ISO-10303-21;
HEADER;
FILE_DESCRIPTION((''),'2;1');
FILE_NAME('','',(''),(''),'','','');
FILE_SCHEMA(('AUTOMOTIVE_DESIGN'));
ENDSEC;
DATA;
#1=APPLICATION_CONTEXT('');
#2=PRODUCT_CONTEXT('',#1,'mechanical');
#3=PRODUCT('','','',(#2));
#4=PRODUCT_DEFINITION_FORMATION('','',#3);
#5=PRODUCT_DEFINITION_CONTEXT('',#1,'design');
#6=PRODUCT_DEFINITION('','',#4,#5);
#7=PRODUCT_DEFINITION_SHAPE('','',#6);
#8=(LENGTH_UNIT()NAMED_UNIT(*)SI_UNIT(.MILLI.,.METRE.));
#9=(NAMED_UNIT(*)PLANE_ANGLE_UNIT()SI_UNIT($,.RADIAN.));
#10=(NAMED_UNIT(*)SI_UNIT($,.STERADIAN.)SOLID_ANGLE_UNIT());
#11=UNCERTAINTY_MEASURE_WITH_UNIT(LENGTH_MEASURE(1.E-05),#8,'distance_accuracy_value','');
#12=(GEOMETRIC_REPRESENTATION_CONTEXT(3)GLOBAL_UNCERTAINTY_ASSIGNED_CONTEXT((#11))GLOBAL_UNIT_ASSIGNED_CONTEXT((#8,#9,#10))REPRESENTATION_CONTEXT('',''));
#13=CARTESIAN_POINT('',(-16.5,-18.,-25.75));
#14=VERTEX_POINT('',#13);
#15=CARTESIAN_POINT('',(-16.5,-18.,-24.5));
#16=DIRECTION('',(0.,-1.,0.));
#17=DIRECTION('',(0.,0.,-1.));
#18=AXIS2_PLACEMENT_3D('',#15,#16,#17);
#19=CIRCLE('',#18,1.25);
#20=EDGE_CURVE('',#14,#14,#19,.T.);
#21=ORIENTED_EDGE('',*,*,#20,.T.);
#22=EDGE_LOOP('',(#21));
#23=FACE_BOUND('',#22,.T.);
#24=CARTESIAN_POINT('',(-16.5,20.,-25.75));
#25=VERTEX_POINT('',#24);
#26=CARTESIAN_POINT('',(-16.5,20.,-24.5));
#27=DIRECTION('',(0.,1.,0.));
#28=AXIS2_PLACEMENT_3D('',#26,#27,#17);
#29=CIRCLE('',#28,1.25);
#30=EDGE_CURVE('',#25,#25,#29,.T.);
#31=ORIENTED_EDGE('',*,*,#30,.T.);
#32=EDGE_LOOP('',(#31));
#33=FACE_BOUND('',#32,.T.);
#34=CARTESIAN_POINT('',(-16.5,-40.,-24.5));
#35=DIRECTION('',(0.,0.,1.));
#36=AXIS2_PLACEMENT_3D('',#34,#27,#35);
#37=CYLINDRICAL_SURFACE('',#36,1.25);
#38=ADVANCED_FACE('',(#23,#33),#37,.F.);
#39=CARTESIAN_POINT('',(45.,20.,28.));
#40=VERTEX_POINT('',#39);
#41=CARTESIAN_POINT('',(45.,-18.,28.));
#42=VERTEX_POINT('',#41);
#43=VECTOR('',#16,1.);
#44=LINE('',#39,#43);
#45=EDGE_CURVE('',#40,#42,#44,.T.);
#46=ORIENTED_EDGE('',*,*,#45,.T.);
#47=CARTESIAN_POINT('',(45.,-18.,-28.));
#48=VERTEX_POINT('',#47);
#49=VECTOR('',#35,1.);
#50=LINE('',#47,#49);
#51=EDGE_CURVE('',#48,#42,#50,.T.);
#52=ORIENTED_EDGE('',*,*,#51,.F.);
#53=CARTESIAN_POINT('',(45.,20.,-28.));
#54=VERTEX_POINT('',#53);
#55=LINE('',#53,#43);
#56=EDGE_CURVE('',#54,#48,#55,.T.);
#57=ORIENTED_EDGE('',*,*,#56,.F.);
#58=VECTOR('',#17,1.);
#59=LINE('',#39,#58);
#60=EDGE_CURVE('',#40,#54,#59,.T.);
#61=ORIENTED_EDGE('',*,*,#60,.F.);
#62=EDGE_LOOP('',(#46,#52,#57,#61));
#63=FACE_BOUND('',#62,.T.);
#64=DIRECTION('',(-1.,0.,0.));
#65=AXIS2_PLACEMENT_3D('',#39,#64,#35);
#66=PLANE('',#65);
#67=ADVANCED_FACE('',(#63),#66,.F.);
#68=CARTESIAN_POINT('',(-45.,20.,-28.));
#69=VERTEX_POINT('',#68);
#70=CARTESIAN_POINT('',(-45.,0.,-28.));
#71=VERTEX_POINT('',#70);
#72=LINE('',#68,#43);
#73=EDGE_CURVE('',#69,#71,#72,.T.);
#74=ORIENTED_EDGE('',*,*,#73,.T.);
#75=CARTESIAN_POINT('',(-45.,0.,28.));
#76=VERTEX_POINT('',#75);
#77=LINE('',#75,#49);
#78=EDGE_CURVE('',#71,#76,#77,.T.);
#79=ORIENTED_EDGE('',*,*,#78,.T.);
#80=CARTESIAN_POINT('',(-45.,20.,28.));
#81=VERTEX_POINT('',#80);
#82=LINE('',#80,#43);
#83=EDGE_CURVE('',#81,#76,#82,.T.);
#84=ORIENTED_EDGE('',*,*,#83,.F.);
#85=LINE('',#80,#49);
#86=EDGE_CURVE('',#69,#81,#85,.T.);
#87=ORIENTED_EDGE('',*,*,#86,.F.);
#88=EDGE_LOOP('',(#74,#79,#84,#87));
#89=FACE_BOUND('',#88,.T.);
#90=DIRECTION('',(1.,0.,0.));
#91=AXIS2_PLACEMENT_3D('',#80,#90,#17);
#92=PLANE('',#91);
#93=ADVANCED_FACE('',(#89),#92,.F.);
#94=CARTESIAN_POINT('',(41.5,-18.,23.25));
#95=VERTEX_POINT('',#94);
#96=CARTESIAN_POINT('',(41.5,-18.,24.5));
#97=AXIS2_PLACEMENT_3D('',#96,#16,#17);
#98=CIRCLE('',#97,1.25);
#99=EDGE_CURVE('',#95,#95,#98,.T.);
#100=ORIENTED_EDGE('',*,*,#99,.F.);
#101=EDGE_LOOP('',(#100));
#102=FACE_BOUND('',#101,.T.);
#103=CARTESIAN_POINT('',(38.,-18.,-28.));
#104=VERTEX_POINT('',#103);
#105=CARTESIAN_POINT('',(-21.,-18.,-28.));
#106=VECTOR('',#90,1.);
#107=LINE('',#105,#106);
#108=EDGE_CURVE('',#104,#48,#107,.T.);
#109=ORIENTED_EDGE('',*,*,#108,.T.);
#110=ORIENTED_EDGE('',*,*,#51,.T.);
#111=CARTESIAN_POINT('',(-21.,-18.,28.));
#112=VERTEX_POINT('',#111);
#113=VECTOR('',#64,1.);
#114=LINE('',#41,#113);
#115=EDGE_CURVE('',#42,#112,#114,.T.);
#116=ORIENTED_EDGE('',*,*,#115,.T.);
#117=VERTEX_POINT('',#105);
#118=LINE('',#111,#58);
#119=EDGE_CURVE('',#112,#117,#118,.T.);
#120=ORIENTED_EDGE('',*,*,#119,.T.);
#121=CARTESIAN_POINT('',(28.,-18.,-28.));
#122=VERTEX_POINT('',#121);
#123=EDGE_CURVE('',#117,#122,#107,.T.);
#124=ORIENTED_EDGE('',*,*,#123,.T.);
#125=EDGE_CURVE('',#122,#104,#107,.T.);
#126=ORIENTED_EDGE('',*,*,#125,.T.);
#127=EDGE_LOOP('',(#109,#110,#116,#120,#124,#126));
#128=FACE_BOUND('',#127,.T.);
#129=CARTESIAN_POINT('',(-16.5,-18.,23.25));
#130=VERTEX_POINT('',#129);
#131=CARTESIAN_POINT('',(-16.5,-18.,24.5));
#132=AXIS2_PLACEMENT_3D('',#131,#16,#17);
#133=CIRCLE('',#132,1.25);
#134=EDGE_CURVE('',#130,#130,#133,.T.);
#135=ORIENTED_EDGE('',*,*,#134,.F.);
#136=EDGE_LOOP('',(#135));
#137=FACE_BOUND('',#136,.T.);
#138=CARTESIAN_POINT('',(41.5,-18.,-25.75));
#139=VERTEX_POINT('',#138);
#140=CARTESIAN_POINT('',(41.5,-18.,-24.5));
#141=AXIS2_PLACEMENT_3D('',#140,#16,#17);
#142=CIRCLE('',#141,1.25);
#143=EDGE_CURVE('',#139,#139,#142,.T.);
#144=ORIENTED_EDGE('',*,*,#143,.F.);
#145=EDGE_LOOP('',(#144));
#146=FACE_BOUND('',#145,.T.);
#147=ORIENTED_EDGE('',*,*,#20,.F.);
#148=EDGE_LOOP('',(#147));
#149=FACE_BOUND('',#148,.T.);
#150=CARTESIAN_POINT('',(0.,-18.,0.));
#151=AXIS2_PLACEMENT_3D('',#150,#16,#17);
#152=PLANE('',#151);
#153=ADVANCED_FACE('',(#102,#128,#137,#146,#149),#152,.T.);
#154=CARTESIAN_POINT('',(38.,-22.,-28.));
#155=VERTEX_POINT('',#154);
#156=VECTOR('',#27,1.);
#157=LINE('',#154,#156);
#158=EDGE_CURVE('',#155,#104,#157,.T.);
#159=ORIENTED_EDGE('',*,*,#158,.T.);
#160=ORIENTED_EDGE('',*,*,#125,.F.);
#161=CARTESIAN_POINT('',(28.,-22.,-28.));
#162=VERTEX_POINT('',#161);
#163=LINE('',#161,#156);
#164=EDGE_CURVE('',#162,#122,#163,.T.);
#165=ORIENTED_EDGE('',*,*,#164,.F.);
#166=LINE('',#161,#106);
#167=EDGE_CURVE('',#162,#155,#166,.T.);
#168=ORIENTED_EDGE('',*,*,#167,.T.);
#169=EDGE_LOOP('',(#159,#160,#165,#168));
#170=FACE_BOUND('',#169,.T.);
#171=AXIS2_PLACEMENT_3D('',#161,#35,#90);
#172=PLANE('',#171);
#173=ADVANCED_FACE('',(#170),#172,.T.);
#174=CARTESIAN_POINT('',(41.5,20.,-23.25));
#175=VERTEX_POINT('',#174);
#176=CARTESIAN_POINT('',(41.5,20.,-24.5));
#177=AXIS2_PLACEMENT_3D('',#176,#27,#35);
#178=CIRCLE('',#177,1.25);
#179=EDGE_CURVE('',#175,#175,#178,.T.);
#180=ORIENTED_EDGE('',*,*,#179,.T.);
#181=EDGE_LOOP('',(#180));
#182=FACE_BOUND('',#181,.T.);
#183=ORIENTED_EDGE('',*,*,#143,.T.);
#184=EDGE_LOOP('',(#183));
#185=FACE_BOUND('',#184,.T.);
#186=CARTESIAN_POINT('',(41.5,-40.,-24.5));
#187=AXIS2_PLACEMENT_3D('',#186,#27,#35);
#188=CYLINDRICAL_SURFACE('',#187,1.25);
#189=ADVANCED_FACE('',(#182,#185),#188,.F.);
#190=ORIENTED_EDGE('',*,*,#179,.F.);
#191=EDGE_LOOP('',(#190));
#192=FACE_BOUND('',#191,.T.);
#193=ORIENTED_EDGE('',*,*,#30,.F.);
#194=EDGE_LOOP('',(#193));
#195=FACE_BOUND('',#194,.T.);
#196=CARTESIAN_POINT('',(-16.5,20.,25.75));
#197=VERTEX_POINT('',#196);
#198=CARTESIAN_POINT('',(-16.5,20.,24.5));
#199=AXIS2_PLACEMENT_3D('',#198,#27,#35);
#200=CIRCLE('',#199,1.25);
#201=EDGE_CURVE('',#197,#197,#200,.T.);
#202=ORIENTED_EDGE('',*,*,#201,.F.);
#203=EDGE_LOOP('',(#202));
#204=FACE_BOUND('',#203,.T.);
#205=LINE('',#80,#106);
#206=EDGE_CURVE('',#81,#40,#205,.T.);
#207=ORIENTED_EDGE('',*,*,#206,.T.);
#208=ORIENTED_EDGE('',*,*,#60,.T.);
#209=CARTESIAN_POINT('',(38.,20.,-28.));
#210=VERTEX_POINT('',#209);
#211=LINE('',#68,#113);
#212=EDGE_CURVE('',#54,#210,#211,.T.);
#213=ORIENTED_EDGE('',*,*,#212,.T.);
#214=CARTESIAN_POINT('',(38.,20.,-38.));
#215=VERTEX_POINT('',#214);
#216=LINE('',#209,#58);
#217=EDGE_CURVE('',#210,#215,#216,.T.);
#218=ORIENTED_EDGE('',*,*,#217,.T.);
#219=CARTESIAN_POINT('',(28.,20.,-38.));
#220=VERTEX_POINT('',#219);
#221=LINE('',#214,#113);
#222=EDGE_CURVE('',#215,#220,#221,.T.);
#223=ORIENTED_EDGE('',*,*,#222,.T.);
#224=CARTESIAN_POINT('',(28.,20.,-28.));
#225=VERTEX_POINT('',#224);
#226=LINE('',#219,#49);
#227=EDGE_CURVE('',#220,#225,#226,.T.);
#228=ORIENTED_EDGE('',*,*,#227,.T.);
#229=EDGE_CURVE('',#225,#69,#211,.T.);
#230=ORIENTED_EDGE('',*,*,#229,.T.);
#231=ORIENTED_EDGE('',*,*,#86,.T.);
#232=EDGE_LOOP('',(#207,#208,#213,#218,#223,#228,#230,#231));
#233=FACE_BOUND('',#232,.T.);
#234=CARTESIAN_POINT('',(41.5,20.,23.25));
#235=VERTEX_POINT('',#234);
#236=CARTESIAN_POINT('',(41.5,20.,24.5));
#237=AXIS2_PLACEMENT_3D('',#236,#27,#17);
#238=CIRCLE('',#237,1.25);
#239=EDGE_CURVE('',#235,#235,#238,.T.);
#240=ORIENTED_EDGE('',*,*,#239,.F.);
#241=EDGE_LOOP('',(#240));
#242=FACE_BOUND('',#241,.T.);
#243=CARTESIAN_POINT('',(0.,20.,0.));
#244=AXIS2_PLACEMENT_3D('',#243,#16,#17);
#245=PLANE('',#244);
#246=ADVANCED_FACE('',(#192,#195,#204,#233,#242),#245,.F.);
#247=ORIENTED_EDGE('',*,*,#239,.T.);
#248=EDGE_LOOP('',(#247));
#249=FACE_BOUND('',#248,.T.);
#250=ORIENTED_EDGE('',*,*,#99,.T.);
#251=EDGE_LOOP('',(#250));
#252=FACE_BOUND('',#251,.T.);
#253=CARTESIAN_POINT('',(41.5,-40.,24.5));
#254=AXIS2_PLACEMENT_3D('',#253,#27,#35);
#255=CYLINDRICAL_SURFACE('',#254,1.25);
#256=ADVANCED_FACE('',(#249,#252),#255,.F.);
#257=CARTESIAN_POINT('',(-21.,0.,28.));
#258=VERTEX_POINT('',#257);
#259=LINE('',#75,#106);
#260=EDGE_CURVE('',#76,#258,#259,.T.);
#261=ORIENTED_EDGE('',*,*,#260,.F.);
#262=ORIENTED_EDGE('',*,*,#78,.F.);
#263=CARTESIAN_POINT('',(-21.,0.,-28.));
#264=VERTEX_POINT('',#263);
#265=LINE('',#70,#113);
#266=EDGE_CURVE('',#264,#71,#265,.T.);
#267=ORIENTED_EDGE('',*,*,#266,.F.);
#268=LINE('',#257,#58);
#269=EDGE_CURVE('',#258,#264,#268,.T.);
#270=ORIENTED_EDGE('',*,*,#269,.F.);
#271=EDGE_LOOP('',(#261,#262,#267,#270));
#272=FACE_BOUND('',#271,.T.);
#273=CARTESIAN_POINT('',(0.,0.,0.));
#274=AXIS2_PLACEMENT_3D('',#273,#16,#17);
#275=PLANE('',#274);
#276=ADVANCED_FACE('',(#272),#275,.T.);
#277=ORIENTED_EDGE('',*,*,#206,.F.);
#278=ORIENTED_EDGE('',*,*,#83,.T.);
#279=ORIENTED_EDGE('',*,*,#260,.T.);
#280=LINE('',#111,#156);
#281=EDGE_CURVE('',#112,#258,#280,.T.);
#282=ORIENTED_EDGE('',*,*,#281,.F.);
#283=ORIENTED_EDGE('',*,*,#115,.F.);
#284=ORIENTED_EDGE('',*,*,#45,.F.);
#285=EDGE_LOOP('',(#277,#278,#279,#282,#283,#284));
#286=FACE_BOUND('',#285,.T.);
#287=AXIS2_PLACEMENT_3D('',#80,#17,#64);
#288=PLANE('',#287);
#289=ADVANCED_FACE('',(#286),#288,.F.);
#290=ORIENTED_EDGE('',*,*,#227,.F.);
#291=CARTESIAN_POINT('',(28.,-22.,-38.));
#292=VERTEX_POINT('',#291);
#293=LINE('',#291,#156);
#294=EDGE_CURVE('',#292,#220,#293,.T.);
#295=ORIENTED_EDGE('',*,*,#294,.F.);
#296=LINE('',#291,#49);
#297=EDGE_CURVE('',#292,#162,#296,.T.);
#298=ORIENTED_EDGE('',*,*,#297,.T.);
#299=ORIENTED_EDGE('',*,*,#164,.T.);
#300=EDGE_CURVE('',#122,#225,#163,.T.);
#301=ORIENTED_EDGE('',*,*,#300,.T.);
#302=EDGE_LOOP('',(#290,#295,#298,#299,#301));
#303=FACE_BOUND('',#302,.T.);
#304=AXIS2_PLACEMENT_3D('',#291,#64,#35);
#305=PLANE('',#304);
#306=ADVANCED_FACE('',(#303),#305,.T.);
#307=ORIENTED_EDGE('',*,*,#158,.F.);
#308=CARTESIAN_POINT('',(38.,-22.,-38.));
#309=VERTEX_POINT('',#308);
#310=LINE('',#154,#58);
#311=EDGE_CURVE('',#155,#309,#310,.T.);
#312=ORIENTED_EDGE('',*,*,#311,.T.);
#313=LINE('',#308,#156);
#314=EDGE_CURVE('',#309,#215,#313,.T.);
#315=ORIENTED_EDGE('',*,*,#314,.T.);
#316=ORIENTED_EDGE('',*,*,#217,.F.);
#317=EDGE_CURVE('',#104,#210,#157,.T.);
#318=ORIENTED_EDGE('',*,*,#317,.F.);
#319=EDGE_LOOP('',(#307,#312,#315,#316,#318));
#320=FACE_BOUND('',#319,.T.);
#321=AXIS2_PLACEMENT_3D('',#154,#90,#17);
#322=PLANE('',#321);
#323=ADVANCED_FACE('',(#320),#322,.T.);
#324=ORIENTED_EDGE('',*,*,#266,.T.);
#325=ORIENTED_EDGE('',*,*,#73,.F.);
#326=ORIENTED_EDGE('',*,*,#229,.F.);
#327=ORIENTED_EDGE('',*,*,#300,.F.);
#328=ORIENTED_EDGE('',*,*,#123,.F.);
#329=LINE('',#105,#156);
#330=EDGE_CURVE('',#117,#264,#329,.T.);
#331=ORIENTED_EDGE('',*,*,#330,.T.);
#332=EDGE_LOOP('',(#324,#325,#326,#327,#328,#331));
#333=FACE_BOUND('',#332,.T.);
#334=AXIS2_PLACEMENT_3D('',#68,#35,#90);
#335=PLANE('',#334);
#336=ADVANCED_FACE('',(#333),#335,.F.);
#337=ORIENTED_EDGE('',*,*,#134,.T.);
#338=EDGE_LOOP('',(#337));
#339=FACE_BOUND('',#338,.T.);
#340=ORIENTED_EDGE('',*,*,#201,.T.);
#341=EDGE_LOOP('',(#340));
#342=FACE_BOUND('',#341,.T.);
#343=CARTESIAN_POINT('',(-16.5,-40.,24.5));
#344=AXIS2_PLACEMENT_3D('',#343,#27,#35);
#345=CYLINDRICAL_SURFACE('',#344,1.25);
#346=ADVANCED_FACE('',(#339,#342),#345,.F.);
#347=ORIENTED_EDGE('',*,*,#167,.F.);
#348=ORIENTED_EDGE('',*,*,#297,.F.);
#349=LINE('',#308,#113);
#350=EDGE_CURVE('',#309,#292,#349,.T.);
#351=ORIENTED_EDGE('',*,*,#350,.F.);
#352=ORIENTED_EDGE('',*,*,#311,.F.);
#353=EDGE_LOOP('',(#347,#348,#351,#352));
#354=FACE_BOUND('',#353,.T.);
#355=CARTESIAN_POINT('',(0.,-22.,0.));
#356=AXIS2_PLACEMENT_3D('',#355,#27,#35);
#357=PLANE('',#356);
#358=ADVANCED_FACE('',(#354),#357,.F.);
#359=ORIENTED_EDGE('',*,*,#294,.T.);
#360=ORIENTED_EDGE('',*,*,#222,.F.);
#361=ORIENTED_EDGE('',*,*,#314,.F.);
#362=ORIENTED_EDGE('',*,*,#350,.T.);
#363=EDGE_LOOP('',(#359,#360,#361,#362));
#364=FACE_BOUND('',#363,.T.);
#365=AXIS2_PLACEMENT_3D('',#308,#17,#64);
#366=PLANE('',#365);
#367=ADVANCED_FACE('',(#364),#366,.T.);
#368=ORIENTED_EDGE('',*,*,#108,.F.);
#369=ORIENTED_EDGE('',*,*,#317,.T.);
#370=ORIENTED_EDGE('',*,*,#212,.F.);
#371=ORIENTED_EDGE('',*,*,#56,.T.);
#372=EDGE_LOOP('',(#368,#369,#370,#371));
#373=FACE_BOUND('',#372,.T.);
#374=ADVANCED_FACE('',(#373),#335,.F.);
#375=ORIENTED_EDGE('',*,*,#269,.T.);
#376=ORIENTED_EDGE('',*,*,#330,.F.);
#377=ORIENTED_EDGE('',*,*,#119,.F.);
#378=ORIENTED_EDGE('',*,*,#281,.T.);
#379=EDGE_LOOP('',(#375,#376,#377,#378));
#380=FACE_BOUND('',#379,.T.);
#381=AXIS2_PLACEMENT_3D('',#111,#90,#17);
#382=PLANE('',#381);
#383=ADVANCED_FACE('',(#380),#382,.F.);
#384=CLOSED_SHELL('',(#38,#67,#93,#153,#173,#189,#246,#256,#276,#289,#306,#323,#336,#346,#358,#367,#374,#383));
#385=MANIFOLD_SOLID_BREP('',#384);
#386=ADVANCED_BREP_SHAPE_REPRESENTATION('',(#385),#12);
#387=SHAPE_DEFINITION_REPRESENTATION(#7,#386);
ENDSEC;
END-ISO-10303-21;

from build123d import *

# Parameters (mm, degrees)
SKETCH_1_W          = 90
SKETCH_1_H          = 56
EXTRUDE_1_DEPTH     = 20
SKETCH_4_W          = 66
SKETCH_4_H          = 56
EXTRUDE_3_DEPTH     = 18
SKETCH_2_R          = 1.25
CUT_EXTRUDE_1_DEPTH = 60
SKETCH_5_W          = 10
SKETCH_5_H          = 10
EXTRUDE_4_DEPTH     = 42


with BuildPart() as part:
    # 草图1 → 凸台-拉伸1 (new body)
    with BuildSketch(Plane(origin=(0, 0, 0), x_dir=(1, 0, 0), z_dir=(0, 1, 0))):
        Rectangle(SKETCH_1_W, SKETCH_1_H)
    extrude(amount=EXTRUDE_1_DEPTH)

    # 草图4 → 凸台-拉伸3 (add)
    with BuildSketch(Plane.XZ):
        with Locations((12, 0)):
            Rectangle(SKETCH_4_W, SKETCH_4_H)
    extrude(amount=EXTRUDE_3_DEPTH)

    # 草图2 → 切除-拉伸1 (cut)
    with BuildSketch(Plane(origin=(0, 20, 0), x_dir=(1, 0, 0), z_dir=(0, 1, 0))):
        with Locations(Location((41.5, 24.5, 0), (0, 0, 270))):
            Circle(SKETCH_2_R)
        with Locations(Location((41.5, -24.5, 0), (0, 0, 90))):
            Circle(SKETCH_2_R)
        with Locations(Location((-16.5, -24.5, 0), (0, 0, 270))):
            Circle(SKETCH_2_R)
        with Locations(Location((-16.5, 24.5, 0), (0, 0, 90))):
            Circle(SKETCH_2_R)
    extrude(amount=-CUT_EXTRUDE_1_DEPTH, mode=Mode.SUBTRACT)

    # 草图5 → 凸台-拉伸4 (add)
    with BuildSketch(Plane(origin=(0, 20, 0), x_dir=(1, 0, 0), z_dir=(0, 1, 0))):
        with Locations((33, 33)):
            Rectangle(SKETCH_5_W, SKETCH_5_H)
    extrude(amount=-EXTRUDE_4_DEPTH)


solid = part.part
